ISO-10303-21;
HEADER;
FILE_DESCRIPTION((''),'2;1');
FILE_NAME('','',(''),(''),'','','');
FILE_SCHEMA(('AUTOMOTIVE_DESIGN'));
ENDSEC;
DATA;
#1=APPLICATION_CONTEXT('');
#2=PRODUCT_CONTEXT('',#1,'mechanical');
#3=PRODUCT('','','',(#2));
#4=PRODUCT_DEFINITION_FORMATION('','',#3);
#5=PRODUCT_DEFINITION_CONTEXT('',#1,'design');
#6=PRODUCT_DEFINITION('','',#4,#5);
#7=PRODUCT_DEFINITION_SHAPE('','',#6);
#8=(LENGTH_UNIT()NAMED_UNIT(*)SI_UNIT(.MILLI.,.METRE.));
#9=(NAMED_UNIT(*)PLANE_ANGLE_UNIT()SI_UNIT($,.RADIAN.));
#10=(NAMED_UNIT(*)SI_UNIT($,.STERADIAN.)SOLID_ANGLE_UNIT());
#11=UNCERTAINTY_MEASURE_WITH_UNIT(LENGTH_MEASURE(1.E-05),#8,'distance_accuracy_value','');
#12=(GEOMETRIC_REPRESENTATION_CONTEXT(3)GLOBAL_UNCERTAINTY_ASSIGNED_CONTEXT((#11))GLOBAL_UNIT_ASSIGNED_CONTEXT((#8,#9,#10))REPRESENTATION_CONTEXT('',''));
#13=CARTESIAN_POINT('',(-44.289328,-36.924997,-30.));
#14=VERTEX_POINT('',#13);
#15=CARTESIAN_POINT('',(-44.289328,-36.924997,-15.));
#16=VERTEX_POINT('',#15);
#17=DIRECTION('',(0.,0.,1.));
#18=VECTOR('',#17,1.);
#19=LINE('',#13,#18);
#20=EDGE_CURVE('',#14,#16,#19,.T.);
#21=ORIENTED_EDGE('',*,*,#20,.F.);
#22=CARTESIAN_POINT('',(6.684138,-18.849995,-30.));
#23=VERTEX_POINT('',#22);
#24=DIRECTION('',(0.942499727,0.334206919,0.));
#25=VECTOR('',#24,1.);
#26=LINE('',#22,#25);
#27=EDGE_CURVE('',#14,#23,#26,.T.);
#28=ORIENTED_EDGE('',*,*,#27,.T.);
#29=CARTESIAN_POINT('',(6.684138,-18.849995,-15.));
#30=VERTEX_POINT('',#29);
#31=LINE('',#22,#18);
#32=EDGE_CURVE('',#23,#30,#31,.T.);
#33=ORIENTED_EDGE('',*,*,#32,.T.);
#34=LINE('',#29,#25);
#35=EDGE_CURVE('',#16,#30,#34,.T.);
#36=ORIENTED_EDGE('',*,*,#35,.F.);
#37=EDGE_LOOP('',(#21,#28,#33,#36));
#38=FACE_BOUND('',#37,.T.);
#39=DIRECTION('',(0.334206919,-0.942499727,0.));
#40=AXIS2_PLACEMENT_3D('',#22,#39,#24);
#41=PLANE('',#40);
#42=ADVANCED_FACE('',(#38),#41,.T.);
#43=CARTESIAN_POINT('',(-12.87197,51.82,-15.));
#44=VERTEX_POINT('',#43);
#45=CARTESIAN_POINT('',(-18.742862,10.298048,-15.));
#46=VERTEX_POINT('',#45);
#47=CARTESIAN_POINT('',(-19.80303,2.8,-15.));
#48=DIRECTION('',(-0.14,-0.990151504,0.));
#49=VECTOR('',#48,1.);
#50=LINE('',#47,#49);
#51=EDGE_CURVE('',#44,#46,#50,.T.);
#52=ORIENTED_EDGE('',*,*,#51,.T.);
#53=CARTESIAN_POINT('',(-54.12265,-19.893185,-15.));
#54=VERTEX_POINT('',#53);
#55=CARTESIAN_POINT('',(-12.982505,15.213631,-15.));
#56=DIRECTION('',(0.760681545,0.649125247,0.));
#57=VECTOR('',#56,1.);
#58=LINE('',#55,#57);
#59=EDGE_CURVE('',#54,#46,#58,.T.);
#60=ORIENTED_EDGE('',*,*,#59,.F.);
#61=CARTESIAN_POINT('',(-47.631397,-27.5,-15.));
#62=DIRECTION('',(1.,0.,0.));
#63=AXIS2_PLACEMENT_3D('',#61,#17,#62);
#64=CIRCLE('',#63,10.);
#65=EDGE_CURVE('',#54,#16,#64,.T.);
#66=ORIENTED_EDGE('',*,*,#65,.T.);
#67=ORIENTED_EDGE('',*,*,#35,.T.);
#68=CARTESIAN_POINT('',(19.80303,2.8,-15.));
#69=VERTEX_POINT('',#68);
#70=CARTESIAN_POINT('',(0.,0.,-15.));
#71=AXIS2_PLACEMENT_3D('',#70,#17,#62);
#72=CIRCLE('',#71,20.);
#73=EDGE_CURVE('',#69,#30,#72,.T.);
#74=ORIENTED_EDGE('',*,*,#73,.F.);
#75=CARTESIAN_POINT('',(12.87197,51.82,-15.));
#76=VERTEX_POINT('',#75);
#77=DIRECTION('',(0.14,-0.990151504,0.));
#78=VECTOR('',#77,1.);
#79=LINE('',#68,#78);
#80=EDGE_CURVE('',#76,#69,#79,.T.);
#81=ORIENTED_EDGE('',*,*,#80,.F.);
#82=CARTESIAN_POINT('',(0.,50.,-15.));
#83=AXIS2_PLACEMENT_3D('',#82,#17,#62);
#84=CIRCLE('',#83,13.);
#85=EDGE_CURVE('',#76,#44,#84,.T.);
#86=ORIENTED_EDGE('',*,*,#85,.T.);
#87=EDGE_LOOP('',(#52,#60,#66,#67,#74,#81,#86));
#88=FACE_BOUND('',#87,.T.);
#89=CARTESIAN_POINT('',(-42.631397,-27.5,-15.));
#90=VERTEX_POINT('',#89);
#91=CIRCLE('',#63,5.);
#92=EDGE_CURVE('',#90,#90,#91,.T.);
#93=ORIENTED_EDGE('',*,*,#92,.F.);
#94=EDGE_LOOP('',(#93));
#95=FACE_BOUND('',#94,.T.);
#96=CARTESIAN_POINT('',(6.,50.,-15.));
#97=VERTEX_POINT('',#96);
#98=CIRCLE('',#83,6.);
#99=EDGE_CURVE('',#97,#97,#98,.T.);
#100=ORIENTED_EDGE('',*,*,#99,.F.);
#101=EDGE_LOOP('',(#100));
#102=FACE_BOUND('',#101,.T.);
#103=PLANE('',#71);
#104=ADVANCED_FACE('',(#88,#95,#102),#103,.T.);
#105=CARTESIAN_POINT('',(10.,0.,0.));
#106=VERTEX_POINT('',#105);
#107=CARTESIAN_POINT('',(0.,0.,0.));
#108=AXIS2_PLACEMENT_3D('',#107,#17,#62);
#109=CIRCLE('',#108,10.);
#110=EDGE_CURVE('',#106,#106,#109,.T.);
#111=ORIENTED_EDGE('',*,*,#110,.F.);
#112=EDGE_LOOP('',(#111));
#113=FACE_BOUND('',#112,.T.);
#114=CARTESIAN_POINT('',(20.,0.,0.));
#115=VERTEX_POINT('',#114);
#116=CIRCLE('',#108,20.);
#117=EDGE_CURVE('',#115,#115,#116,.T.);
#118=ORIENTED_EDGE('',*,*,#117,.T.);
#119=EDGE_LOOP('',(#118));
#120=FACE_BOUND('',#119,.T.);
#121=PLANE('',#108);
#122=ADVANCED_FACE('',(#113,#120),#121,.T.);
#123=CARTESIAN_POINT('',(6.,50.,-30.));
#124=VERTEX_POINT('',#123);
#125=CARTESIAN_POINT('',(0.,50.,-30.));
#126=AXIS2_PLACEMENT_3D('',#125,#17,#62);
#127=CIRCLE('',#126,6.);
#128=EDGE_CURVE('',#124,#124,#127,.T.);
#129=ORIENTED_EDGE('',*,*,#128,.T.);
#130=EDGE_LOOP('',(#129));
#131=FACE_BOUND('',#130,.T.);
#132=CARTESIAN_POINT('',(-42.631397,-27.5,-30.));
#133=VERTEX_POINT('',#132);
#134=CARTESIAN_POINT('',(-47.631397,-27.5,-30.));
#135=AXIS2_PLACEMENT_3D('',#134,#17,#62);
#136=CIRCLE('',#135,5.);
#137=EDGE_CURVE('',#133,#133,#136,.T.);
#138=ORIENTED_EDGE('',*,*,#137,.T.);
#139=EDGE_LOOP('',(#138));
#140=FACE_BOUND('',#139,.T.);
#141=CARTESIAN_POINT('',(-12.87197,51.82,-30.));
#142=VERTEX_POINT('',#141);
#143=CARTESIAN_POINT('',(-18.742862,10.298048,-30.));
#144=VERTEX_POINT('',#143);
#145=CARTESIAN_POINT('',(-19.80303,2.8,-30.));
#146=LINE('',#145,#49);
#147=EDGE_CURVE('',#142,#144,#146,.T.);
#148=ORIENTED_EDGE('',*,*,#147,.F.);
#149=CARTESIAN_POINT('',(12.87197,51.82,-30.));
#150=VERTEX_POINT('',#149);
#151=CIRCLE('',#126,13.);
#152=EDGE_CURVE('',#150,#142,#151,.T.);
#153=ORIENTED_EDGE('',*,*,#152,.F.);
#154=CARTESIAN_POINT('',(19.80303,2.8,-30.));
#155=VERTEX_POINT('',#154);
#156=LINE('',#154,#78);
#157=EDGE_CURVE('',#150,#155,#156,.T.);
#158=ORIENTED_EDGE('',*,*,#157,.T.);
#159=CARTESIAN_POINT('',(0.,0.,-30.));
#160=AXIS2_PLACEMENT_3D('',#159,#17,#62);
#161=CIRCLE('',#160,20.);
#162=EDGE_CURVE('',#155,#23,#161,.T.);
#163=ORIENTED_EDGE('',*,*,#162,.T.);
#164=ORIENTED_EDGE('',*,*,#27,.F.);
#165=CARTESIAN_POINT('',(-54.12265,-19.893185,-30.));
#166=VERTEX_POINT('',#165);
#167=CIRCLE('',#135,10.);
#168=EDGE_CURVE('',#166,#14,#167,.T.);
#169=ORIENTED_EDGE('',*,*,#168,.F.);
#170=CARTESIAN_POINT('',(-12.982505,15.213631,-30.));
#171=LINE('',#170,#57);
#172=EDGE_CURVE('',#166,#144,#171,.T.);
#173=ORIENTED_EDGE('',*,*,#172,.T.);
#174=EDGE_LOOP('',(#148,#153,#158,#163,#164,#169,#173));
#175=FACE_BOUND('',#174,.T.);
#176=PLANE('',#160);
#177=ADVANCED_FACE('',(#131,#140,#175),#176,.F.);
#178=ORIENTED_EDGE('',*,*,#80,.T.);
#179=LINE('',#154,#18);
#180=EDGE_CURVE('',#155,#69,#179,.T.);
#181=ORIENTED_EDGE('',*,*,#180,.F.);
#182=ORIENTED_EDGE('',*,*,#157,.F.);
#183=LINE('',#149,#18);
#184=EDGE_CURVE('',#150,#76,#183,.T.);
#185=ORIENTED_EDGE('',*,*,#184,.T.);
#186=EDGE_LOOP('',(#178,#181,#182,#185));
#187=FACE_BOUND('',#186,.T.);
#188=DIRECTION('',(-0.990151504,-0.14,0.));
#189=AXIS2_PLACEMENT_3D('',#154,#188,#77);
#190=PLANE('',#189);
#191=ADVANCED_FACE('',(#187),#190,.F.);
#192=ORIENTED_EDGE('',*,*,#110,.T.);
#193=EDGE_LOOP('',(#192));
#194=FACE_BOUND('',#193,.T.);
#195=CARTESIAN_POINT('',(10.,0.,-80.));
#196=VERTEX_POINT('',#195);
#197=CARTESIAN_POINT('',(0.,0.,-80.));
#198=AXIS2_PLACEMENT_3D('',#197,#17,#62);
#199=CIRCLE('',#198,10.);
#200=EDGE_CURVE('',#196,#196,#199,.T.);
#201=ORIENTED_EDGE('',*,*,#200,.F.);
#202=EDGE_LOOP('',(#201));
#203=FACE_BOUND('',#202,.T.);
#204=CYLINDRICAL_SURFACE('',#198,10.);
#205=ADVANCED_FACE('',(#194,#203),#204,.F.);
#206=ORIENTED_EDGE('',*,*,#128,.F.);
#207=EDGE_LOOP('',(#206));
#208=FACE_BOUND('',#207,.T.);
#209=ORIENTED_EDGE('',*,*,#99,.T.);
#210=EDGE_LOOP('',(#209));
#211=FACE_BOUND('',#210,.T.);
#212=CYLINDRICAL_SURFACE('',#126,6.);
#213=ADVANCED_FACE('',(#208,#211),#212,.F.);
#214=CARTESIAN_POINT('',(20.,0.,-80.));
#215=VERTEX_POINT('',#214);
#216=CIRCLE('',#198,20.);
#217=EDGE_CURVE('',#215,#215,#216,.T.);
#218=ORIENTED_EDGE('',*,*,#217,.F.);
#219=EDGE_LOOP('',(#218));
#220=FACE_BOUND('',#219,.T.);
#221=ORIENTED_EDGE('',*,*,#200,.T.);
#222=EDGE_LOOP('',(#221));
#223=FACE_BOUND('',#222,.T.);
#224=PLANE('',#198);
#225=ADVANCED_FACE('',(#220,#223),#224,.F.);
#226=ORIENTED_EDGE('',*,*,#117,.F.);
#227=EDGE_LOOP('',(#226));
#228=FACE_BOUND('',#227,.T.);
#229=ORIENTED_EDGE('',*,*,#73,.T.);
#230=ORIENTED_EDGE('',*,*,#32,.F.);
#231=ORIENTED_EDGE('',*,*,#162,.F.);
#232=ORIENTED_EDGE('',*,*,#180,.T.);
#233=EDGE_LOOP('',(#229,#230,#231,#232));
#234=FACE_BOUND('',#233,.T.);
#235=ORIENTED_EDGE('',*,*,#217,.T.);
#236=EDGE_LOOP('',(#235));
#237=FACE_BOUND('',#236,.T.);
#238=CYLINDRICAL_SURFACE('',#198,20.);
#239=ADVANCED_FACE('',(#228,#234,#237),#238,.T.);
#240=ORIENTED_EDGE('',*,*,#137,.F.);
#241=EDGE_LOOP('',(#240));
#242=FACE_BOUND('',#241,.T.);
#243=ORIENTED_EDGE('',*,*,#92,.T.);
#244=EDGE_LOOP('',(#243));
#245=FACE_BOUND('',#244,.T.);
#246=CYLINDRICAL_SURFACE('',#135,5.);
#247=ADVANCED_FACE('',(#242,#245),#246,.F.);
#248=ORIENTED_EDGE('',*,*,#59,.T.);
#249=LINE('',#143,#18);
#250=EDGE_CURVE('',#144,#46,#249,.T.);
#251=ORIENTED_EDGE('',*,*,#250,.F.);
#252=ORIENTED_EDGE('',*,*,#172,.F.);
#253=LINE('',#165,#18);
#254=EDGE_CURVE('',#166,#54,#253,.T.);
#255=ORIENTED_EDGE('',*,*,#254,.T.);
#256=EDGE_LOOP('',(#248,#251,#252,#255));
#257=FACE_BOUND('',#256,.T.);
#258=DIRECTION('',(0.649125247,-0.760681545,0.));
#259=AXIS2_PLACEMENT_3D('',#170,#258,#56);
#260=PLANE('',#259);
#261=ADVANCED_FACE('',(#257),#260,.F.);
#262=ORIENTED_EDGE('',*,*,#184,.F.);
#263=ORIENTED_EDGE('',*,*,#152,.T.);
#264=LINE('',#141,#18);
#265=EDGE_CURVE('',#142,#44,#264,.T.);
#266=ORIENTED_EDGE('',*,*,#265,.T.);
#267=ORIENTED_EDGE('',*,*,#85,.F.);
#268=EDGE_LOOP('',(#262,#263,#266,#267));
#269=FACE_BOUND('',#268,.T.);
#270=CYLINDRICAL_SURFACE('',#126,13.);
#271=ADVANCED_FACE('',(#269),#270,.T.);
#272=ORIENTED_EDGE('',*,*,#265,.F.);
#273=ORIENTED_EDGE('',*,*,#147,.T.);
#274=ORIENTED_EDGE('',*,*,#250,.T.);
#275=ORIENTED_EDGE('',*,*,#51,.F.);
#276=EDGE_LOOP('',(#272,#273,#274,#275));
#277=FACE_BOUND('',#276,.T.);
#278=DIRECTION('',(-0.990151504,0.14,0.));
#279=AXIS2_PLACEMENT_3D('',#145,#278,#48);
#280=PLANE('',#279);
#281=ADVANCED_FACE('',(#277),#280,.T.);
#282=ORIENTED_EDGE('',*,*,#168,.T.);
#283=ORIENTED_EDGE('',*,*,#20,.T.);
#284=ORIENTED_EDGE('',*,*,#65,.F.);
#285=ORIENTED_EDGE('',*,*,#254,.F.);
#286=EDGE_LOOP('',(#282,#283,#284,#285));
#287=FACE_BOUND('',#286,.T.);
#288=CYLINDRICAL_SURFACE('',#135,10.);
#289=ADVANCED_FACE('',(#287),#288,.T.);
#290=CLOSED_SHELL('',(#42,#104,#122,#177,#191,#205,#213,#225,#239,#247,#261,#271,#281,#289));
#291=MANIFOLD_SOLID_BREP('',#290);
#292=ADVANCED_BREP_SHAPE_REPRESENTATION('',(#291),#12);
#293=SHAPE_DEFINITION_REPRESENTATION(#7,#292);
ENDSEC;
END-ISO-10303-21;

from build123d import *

# Parameters (mm, degrees)
SKETCH_1_R      = 10
EXTRUDE_1_DEPTH = 80
EXTRUDE_START   = -15
SKETCH_1_3_R    = 5
SKETCH_1_3_R_2  = 6
EXTRUDE_2_DEPTH = 15


with BuildPart() as part:
    # Эскиз1 → Бобышка-Вытянуть1 (new body)
    with BuildSketch(Plane.XY):
        with BuildLine():
            ThreePointArc((19.803030071, 2.8), (7.081980571, 18.704158661), (-12.982504947, 15.213630905))
            ThreePointArc((-12.982504947, 15.213630905), (-17.528473541, 9.630815923), (-19.803030071, 2.8))
            ThreePointArc((-19.803030071, 2.8), (-12.657286271, -15.485254414), (6.684138374, -18.849994541))
            ThreePointArc((6.684138374, -18.849994541), (16.335280339, -11.539437433), (20, 0))
            ThreePointArc((20, 0), (19.950696748, 1.403459757), (19.803030071, 2.8))
        make_face()
        Circle(SKETCH_1_R, mode=Mode.SUBTRACT)
    extrude(amount=-EXTRUDE_1_DEPTH)

    # Эскиз1<3> → Бобышка-Вытянуть2 (add)
    with BuildSketch(Plane.XY.offset(EXTRUDE_START)):
        with BuildLine():
            Line((-18.742862332, 10.29804772), (-54.122649682, -19.893184548))
            ThreePointArc((-54.122649682, -19.893184548), (-56.291651246, -32.5), (-44.289328021, -36.924997271))
            Line((-44.289328021, -36.924997271), (6.684138374, -18.849994541))
            ThreePointArc((6.684138374, -18.849994541), (-17.104768018, 10.364695414), (19.803030071, 2.8))
            Line((19.803030071, 2.8), (12.871969546, 51.82))
            ThreePointArc((12.871969546, 51.82), (0, 63), (-12.871969546, 51.82))
            Line((-12.871969546, 51.82), (-18.742862332, 10.29804772))
        make_face()
        with Locations((-47.631397208, -27.5)):
            Circle(SKETCH_1_3_R, mode=Mode.SUBTRACT)
        with Locations((0, 50)):
            Circle(SKETCH_1_3_R_2, mode=Mode.SUBTRACT)
    extrude(amount=-EXTRUDE_2_DEPTH)


solid = part.part
